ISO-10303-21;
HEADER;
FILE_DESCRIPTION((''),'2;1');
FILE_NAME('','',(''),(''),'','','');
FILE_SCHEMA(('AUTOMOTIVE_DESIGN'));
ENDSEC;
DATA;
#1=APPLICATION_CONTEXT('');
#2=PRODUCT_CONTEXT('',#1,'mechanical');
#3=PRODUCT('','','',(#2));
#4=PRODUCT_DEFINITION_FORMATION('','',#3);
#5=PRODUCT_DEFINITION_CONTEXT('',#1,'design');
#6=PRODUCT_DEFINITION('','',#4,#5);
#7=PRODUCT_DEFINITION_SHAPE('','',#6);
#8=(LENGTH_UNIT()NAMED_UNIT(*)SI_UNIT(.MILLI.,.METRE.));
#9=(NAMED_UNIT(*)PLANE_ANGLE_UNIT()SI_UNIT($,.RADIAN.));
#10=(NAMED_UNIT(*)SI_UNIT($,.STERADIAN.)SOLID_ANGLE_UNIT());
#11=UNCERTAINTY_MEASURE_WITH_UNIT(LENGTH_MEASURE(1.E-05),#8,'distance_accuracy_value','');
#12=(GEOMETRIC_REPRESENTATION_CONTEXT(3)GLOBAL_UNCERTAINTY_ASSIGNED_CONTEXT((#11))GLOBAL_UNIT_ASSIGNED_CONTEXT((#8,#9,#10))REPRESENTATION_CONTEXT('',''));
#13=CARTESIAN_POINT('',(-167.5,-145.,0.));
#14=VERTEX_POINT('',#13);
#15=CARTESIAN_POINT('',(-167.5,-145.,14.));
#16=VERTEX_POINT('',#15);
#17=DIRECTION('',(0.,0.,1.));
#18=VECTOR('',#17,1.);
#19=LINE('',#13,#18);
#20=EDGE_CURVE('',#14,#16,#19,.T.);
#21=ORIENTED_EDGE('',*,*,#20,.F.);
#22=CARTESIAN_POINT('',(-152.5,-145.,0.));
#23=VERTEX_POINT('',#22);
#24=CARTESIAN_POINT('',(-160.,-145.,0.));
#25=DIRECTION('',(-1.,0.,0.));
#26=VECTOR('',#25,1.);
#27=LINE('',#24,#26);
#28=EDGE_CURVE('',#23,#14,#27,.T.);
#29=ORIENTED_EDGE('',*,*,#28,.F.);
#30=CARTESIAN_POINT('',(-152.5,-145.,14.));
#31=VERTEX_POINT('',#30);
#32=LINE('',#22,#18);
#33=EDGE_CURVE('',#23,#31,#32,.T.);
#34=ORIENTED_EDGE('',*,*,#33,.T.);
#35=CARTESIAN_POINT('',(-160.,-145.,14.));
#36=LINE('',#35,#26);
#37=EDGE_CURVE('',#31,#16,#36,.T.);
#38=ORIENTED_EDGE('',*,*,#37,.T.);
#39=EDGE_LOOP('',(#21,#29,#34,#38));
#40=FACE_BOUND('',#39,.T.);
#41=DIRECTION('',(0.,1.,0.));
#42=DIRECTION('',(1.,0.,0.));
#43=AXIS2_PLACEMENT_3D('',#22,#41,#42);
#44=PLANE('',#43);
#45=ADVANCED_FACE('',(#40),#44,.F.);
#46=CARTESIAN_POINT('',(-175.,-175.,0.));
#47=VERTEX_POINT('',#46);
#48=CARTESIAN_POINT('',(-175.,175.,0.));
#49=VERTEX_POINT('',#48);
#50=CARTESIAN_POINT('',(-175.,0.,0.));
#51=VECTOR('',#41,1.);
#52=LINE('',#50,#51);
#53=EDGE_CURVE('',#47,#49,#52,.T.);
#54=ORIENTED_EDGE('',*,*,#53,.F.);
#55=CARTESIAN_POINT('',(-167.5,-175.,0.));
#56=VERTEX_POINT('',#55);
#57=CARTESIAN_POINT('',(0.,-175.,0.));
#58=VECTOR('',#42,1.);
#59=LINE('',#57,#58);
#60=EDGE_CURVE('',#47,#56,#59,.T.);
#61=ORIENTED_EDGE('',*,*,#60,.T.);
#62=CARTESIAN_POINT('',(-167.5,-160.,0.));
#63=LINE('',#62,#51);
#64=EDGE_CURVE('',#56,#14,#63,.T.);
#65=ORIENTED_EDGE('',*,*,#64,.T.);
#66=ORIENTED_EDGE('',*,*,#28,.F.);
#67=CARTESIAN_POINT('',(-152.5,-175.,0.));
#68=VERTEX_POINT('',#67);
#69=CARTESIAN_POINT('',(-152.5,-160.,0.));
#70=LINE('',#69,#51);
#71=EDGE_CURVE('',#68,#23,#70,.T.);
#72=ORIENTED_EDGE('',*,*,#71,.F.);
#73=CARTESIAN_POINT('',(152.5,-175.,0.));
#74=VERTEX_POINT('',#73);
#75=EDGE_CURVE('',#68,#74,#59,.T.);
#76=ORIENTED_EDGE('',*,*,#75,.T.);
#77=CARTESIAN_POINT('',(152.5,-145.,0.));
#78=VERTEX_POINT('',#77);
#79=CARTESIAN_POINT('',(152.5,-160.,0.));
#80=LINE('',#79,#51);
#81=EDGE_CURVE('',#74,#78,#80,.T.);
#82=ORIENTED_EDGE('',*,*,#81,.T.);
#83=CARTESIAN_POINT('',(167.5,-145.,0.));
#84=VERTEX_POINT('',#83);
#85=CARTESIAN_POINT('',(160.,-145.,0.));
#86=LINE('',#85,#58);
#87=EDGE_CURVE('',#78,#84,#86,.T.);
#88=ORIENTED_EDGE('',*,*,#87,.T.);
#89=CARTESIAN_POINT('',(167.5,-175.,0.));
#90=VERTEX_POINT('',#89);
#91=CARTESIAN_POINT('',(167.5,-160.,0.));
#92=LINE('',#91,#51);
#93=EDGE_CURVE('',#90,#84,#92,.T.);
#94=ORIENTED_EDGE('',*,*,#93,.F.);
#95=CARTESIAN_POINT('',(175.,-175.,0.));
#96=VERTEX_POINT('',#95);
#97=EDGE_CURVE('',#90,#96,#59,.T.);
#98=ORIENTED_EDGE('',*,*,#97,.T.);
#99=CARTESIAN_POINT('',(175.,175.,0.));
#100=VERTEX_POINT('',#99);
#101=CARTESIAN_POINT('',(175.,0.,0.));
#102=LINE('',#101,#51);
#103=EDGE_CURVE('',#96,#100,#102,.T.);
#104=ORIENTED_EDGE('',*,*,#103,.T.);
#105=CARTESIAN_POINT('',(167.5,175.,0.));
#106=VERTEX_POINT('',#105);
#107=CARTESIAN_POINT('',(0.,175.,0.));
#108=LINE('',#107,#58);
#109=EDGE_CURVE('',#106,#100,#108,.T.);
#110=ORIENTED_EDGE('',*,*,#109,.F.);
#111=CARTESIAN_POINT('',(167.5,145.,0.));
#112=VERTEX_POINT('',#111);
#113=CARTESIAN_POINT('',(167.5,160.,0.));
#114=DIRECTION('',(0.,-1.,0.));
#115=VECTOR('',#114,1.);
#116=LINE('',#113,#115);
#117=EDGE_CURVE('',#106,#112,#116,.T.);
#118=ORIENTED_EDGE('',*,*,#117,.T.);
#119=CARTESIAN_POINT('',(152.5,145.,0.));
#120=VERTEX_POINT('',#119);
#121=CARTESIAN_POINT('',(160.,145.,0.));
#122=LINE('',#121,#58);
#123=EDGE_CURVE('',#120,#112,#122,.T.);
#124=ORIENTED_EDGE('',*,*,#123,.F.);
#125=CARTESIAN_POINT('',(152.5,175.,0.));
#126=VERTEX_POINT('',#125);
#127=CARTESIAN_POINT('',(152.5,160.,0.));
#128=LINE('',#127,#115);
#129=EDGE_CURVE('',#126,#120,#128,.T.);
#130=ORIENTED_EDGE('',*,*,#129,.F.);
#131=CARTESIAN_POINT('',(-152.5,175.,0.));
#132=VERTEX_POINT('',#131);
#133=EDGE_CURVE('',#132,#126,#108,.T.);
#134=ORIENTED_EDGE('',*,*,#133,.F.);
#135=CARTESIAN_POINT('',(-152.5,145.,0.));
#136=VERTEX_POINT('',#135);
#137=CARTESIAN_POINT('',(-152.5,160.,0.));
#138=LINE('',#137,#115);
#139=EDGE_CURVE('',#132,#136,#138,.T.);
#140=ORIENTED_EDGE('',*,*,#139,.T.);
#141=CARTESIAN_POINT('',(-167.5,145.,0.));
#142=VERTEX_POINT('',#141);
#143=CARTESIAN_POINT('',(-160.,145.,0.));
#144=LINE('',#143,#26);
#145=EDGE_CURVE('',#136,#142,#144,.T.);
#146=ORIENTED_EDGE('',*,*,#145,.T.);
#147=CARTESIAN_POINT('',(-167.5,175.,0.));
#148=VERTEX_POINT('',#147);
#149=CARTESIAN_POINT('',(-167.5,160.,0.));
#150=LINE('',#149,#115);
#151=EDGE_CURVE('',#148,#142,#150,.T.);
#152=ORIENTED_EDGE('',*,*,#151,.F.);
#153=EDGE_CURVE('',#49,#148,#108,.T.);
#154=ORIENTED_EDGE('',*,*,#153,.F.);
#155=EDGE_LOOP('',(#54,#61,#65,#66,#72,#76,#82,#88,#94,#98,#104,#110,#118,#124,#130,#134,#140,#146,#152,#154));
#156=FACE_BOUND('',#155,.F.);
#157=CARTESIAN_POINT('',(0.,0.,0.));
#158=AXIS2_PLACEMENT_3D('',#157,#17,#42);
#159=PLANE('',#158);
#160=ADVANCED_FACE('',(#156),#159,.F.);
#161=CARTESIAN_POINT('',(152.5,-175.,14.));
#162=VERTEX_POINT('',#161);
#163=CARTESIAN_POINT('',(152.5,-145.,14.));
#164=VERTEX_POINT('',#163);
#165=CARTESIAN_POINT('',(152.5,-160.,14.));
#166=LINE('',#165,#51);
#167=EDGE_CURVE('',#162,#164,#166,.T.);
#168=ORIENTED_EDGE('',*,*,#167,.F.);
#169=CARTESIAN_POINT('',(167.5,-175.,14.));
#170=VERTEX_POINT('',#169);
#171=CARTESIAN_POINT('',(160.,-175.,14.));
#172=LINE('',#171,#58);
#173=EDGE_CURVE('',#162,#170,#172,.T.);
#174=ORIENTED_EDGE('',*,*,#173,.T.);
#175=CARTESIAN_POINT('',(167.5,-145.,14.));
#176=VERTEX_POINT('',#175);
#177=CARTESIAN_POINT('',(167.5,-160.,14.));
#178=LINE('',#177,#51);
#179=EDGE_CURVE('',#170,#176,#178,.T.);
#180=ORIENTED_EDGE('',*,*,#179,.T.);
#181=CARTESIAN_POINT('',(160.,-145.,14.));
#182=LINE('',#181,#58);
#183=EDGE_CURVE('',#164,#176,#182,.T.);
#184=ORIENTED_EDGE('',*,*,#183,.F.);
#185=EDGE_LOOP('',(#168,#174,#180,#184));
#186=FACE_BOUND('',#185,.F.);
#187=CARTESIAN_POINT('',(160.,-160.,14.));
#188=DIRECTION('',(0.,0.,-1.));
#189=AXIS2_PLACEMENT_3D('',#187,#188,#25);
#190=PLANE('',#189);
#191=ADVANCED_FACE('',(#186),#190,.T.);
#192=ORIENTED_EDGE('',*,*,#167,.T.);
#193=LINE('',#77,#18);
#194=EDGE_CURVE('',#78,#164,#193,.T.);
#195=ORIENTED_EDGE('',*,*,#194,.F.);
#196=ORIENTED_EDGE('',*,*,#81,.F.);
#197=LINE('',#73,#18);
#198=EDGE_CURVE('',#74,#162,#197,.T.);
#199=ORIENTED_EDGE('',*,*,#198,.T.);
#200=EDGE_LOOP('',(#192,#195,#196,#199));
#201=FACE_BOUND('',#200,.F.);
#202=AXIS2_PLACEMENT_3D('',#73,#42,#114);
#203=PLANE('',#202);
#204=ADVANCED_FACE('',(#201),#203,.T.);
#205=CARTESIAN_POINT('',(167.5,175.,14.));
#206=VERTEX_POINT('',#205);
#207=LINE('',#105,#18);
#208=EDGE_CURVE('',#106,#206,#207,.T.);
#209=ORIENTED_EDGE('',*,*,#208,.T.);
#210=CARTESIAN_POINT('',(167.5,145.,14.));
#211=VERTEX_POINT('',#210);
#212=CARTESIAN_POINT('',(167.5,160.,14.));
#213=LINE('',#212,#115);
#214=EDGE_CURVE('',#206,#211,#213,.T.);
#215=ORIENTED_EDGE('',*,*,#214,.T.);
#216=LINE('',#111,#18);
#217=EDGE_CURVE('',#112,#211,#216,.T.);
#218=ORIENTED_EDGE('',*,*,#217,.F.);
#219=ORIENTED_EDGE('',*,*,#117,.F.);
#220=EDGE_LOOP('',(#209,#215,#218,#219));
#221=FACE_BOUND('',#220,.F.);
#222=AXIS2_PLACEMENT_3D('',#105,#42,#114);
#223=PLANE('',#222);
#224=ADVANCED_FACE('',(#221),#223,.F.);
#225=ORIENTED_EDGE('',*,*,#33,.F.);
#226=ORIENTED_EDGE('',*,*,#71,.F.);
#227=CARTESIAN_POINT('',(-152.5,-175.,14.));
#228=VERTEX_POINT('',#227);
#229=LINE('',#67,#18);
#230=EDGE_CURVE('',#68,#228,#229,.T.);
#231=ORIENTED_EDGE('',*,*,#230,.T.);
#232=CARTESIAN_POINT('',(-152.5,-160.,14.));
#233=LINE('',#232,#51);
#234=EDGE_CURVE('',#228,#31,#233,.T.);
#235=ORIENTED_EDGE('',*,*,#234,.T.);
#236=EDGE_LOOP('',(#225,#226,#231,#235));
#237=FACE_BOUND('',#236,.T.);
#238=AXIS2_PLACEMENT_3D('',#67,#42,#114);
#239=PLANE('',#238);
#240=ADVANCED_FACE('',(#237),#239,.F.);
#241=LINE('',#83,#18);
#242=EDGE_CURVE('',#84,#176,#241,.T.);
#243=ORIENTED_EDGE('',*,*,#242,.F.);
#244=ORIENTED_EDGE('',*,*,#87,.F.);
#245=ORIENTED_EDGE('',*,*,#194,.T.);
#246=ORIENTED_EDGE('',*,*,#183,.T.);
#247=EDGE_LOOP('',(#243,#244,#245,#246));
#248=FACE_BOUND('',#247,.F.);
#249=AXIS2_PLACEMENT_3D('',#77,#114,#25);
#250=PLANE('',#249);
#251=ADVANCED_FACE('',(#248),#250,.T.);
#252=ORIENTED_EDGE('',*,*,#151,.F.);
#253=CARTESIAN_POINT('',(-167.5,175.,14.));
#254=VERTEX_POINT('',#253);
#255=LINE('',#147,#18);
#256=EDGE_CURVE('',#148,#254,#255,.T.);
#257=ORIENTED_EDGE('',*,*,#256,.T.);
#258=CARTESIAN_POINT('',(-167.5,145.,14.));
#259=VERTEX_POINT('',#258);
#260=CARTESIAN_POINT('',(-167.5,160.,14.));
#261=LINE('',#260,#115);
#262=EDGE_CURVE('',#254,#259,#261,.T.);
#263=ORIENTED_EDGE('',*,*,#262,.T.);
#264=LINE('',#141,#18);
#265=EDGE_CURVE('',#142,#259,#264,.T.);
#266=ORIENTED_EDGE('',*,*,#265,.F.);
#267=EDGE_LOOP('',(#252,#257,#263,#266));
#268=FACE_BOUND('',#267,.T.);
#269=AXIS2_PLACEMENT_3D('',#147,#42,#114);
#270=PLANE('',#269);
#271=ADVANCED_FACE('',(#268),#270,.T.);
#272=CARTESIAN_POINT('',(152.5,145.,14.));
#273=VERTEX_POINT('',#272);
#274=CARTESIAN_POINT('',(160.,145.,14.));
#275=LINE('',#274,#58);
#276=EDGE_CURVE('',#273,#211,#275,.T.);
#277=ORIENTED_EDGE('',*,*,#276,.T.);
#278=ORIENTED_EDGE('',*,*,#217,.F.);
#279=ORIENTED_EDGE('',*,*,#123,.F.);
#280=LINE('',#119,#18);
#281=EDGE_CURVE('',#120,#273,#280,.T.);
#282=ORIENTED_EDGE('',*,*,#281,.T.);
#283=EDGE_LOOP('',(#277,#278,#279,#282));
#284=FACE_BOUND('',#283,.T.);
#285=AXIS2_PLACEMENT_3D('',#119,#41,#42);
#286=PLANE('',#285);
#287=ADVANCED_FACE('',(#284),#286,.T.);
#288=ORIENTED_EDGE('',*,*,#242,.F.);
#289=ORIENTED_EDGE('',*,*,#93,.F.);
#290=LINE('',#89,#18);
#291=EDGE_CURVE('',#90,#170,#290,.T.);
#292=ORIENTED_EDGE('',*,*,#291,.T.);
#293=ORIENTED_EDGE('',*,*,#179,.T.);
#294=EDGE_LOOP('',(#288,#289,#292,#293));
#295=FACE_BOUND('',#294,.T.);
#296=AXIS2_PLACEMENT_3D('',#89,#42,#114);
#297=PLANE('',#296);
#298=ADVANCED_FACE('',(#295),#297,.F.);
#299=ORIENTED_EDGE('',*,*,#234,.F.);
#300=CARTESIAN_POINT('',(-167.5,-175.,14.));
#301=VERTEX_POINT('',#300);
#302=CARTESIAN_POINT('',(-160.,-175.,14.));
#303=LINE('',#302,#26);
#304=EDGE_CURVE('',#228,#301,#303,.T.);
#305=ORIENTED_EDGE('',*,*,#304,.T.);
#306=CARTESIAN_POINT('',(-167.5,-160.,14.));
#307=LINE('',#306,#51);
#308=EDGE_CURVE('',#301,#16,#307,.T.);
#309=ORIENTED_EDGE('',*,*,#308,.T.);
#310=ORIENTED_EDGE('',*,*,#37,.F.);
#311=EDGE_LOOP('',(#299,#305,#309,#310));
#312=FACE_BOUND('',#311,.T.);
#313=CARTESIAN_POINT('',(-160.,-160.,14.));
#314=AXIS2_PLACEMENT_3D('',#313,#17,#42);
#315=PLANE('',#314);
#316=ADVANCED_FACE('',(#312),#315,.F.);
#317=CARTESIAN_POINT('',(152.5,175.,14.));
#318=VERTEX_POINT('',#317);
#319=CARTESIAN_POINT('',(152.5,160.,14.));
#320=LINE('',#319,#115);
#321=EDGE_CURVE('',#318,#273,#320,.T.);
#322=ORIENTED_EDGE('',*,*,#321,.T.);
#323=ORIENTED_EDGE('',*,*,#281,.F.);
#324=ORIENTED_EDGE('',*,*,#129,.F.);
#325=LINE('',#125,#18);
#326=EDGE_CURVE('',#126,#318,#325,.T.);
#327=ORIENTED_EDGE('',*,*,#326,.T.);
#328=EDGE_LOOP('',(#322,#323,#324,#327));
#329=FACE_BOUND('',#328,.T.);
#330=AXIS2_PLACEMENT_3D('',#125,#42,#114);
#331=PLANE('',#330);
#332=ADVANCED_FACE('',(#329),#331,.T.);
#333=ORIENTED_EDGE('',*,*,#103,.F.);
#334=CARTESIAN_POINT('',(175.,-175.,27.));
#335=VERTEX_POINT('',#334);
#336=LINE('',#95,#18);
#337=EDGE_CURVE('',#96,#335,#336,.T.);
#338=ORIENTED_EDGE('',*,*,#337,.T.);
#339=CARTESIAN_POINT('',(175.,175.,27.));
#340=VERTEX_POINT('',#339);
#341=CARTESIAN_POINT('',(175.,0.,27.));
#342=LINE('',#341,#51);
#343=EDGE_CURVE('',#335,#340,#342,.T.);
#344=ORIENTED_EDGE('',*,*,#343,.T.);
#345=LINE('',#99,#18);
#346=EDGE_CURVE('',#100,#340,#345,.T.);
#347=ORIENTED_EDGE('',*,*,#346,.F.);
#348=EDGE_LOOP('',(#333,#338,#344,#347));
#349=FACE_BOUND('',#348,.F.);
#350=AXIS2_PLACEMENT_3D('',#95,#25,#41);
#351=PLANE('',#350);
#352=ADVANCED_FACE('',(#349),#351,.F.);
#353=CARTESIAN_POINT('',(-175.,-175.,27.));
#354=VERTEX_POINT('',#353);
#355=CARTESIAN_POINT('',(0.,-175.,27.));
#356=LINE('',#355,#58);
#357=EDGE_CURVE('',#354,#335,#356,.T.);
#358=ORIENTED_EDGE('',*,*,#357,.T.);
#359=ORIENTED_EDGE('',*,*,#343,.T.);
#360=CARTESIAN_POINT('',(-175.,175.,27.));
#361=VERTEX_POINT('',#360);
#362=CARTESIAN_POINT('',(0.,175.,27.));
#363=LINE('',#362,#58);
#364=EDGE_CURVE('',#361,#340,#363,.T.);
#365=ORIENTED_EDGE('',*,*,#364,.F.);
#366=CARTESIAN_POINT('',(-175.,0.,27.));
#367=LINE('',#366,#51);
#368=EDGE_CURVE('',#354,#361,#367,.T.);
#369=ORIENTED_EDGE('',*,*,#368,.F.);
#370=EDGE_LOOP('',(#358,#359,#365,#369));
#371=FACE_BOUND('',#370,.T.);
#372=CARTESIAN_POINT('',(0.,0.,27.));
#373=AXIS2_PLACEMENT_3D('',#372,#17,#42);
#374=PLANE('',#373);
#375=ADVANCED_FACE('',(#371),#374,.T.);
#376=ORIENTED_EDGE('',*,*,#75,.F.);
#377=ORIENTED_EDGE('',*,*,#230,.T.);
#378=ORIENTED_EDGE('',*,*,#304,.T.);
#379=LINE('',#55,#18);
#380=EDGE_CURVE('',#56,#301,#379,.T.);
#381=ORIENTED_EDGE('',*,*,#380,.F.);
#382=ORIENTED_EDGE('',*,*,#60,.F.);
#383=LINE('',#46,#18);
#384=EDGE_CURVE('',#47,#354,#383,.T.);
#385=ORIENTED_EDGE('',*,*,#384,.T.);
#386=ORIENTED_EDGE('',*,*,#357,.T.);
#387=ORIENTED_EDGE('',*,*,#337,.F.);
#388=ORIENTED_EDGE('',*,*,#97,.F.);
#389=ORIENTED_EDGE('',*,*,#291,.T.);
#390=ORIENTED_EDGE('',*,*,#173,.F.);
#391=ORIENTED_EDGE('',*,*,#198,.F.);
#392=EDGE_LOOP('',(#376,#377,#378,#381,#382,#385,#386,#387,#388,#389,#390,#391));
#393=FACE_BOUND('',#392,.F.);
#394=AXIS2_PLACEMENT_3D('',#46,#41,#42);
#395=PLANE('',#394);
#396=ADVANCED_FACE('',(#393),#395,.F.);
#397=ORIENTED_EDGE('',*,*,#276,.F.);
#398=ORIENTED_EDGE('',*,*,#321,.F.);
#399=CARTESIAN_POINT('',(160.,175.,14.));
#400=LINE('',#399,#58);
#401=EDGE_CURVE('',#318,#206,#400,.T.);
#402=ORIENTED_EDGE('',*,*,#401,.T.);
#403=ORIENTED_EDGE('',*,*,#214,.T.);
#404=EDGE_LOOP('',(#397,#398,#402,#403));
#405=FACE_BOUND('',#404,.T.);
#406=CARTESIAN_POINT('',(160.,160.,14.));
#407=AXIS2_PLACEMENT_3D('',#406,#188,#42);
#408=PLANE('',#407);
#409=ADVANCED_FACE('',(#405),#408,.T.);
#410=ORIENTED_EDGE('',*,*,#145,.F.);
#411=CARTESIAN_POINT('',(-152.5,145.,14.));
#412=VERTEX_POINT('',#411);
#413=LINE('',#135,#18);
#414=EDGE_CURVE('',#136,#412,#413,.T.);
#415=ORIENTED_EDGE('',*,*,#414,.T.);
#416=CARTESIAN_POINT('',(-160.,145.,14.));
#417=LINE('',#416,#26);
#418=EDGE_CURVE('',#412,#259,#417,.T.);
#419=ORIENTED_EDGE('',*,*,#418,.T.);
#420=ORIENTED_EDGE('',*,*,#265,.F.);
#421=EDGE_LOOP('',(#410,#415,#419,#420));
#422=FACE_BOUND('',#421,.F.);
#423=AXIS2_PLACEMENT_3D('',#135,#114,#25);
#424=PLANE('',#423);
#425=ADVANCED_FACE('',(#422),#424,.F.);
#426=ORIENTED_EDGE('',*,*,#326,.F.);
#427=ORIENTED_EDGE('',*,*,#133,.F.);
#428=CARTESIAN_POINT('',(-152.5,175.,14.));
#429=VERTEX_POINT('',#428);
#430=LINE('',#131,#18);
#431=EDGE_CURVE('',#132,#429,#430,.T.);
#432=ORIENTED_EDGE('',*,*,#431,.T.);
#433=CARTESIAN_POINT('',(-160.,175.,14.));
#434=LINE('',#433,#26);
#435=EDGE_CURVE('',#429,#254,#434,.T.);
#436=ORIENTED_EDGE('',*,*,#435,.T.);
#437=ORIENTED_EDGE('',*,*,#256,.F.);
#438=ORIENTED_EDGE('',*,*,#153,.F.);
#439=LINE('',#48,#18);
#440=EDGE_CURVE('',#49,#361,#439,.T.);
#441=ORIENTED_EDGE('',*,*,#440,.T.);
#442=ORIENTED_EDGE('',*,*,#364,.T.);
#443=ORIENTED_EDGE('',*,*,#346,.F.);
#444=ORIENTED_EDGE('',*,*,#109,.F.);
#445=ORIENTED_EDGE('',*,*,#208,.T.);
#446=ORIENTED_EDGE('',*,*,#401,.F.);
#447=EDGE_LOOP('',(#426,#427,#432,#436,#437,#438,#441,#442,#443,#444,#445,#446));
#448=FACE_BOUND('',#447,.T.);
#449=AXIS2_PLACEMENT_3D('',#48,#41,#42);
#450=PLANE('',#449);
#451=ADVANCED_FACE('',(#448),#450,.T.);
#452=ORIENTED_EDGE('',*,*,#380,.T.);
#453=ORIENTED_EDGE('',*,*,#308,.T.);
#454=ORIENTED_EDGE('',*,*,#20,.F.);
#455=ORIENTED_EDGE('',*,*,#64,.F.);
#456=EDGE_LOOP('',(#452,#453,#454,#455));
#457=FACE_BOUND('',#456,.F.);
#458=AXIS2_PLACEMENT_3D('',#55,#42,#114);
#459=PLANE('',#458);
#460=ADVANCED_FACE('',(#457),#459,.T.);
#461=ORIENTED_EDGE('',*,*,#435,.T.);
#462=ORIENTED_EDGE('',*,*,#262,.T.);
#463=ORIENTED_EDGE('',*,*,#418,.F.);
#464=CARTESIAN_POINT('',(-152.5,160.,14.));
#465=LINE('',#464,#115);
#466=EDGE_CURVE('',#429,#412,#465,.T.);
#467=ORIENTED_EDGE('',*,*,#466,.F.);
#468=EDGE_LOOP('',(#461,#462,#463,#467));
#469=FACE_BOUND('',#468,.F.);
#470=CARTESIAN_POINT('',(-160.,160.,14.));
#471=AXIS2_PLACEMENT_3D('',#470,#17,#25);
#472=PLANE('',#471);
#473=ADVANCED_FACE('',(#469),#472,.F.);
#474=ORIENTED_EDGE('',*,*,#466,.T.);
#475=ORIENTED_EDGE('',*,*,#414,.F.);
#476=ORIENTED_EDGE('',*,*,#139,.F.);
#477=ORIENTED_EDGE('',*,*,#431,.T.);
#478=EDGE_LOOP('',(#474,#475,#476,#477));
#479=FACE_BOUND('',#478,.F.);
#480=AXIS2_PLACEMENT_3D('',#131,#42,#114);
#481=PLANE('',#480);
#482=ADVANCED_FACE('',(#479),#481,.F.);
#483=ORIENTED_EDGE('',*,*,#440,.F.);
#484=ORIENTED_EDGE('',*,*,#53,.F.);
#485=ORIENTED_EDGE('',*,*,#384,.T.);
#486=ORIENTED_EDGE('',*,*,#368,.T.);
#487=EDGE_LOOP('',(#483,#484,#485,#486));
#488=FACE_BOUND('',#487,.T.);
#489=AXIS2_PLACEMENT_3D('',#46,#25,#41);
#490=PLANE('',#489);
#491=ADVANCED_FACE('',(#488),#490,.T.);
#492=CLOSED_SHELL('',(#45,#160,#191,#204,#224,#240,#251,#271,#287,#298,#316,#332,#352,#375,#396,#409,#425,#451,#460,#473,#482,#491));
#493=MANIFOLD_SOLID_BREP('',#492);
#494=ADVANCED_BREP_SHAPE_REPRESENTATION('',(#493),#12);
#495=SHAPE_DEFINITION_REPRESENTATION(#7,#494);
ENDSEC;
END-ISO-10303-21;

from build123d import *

# Parameters (mm, degrees)
SKETCH_W                = 350
SKETCH_H                = 350
PAD_DEPTH               = 27
SKETCH003_W             = 15
SKETCH003_H             = 30
POCKET_DEPTH            = 14
SKETCH003_MIRRORED_2_W  = 15
SKETCH003_MIRRORED_2_H  = 30
POCKET_MIRRORED_2_DEPTH = 14


with BuildPart() as part:
    # Sketch → Pad (new body)
    with BuildSketch(Plane.XY):
        Rectangle(SKETCH_W, SKETCH_H)
    extrude(amount=PAD_DEPTH)

    # Sketch003 (on Face5 of Pad) → Pocket (cut)
    with BuildSketch(Plane(origin=(0, 0, 0), x_dir=(1, 0, 0), z_dir=(0, 0, -1))):
        with Locations((160, -160)):
            Rectangle(SKETCH003_W, SKETCH003_H)
    pocket = extrude(amount=-POCKET_DEPTH, mode=Mode.SUBTRACT)

    # Sketch003 Mirrored 2 → Pocket Mirrored 2 (cut)
    with BuildSketch(Plane(origin=(0, 0, 0), x_dir=(-1, 0, 0), z_dir=(0, 0, 1))):
        with Locations((160, -160)):
            Rectangle(SKETCH003_MIRRORED_2_W, SKETCH003_MIRRORED_2_H)
    pocket_mirrored_2 = extrude(amount=POCKET_MIRRORED_2_DEPTH, mode=Mode.SUBTRACT)

    # Mirrored001: Pocket, Pocket Mirrored 2 across Sketch003 H_Axis
    add(pocket.mirror(Plane(origin=(0, 0, 0), x_dir=(0, 0, -1), z_dir=(0, -1, 0))), mode=Mode.SUBTRACT)
    add(pocket_mirrored_2.mirror(Plane(origin=(0, 0, 0), x_dir=(0, 0, -1), z_dir=(0, -1, 0))), mode=Mode.SUBTRACT)


solid = part.part
